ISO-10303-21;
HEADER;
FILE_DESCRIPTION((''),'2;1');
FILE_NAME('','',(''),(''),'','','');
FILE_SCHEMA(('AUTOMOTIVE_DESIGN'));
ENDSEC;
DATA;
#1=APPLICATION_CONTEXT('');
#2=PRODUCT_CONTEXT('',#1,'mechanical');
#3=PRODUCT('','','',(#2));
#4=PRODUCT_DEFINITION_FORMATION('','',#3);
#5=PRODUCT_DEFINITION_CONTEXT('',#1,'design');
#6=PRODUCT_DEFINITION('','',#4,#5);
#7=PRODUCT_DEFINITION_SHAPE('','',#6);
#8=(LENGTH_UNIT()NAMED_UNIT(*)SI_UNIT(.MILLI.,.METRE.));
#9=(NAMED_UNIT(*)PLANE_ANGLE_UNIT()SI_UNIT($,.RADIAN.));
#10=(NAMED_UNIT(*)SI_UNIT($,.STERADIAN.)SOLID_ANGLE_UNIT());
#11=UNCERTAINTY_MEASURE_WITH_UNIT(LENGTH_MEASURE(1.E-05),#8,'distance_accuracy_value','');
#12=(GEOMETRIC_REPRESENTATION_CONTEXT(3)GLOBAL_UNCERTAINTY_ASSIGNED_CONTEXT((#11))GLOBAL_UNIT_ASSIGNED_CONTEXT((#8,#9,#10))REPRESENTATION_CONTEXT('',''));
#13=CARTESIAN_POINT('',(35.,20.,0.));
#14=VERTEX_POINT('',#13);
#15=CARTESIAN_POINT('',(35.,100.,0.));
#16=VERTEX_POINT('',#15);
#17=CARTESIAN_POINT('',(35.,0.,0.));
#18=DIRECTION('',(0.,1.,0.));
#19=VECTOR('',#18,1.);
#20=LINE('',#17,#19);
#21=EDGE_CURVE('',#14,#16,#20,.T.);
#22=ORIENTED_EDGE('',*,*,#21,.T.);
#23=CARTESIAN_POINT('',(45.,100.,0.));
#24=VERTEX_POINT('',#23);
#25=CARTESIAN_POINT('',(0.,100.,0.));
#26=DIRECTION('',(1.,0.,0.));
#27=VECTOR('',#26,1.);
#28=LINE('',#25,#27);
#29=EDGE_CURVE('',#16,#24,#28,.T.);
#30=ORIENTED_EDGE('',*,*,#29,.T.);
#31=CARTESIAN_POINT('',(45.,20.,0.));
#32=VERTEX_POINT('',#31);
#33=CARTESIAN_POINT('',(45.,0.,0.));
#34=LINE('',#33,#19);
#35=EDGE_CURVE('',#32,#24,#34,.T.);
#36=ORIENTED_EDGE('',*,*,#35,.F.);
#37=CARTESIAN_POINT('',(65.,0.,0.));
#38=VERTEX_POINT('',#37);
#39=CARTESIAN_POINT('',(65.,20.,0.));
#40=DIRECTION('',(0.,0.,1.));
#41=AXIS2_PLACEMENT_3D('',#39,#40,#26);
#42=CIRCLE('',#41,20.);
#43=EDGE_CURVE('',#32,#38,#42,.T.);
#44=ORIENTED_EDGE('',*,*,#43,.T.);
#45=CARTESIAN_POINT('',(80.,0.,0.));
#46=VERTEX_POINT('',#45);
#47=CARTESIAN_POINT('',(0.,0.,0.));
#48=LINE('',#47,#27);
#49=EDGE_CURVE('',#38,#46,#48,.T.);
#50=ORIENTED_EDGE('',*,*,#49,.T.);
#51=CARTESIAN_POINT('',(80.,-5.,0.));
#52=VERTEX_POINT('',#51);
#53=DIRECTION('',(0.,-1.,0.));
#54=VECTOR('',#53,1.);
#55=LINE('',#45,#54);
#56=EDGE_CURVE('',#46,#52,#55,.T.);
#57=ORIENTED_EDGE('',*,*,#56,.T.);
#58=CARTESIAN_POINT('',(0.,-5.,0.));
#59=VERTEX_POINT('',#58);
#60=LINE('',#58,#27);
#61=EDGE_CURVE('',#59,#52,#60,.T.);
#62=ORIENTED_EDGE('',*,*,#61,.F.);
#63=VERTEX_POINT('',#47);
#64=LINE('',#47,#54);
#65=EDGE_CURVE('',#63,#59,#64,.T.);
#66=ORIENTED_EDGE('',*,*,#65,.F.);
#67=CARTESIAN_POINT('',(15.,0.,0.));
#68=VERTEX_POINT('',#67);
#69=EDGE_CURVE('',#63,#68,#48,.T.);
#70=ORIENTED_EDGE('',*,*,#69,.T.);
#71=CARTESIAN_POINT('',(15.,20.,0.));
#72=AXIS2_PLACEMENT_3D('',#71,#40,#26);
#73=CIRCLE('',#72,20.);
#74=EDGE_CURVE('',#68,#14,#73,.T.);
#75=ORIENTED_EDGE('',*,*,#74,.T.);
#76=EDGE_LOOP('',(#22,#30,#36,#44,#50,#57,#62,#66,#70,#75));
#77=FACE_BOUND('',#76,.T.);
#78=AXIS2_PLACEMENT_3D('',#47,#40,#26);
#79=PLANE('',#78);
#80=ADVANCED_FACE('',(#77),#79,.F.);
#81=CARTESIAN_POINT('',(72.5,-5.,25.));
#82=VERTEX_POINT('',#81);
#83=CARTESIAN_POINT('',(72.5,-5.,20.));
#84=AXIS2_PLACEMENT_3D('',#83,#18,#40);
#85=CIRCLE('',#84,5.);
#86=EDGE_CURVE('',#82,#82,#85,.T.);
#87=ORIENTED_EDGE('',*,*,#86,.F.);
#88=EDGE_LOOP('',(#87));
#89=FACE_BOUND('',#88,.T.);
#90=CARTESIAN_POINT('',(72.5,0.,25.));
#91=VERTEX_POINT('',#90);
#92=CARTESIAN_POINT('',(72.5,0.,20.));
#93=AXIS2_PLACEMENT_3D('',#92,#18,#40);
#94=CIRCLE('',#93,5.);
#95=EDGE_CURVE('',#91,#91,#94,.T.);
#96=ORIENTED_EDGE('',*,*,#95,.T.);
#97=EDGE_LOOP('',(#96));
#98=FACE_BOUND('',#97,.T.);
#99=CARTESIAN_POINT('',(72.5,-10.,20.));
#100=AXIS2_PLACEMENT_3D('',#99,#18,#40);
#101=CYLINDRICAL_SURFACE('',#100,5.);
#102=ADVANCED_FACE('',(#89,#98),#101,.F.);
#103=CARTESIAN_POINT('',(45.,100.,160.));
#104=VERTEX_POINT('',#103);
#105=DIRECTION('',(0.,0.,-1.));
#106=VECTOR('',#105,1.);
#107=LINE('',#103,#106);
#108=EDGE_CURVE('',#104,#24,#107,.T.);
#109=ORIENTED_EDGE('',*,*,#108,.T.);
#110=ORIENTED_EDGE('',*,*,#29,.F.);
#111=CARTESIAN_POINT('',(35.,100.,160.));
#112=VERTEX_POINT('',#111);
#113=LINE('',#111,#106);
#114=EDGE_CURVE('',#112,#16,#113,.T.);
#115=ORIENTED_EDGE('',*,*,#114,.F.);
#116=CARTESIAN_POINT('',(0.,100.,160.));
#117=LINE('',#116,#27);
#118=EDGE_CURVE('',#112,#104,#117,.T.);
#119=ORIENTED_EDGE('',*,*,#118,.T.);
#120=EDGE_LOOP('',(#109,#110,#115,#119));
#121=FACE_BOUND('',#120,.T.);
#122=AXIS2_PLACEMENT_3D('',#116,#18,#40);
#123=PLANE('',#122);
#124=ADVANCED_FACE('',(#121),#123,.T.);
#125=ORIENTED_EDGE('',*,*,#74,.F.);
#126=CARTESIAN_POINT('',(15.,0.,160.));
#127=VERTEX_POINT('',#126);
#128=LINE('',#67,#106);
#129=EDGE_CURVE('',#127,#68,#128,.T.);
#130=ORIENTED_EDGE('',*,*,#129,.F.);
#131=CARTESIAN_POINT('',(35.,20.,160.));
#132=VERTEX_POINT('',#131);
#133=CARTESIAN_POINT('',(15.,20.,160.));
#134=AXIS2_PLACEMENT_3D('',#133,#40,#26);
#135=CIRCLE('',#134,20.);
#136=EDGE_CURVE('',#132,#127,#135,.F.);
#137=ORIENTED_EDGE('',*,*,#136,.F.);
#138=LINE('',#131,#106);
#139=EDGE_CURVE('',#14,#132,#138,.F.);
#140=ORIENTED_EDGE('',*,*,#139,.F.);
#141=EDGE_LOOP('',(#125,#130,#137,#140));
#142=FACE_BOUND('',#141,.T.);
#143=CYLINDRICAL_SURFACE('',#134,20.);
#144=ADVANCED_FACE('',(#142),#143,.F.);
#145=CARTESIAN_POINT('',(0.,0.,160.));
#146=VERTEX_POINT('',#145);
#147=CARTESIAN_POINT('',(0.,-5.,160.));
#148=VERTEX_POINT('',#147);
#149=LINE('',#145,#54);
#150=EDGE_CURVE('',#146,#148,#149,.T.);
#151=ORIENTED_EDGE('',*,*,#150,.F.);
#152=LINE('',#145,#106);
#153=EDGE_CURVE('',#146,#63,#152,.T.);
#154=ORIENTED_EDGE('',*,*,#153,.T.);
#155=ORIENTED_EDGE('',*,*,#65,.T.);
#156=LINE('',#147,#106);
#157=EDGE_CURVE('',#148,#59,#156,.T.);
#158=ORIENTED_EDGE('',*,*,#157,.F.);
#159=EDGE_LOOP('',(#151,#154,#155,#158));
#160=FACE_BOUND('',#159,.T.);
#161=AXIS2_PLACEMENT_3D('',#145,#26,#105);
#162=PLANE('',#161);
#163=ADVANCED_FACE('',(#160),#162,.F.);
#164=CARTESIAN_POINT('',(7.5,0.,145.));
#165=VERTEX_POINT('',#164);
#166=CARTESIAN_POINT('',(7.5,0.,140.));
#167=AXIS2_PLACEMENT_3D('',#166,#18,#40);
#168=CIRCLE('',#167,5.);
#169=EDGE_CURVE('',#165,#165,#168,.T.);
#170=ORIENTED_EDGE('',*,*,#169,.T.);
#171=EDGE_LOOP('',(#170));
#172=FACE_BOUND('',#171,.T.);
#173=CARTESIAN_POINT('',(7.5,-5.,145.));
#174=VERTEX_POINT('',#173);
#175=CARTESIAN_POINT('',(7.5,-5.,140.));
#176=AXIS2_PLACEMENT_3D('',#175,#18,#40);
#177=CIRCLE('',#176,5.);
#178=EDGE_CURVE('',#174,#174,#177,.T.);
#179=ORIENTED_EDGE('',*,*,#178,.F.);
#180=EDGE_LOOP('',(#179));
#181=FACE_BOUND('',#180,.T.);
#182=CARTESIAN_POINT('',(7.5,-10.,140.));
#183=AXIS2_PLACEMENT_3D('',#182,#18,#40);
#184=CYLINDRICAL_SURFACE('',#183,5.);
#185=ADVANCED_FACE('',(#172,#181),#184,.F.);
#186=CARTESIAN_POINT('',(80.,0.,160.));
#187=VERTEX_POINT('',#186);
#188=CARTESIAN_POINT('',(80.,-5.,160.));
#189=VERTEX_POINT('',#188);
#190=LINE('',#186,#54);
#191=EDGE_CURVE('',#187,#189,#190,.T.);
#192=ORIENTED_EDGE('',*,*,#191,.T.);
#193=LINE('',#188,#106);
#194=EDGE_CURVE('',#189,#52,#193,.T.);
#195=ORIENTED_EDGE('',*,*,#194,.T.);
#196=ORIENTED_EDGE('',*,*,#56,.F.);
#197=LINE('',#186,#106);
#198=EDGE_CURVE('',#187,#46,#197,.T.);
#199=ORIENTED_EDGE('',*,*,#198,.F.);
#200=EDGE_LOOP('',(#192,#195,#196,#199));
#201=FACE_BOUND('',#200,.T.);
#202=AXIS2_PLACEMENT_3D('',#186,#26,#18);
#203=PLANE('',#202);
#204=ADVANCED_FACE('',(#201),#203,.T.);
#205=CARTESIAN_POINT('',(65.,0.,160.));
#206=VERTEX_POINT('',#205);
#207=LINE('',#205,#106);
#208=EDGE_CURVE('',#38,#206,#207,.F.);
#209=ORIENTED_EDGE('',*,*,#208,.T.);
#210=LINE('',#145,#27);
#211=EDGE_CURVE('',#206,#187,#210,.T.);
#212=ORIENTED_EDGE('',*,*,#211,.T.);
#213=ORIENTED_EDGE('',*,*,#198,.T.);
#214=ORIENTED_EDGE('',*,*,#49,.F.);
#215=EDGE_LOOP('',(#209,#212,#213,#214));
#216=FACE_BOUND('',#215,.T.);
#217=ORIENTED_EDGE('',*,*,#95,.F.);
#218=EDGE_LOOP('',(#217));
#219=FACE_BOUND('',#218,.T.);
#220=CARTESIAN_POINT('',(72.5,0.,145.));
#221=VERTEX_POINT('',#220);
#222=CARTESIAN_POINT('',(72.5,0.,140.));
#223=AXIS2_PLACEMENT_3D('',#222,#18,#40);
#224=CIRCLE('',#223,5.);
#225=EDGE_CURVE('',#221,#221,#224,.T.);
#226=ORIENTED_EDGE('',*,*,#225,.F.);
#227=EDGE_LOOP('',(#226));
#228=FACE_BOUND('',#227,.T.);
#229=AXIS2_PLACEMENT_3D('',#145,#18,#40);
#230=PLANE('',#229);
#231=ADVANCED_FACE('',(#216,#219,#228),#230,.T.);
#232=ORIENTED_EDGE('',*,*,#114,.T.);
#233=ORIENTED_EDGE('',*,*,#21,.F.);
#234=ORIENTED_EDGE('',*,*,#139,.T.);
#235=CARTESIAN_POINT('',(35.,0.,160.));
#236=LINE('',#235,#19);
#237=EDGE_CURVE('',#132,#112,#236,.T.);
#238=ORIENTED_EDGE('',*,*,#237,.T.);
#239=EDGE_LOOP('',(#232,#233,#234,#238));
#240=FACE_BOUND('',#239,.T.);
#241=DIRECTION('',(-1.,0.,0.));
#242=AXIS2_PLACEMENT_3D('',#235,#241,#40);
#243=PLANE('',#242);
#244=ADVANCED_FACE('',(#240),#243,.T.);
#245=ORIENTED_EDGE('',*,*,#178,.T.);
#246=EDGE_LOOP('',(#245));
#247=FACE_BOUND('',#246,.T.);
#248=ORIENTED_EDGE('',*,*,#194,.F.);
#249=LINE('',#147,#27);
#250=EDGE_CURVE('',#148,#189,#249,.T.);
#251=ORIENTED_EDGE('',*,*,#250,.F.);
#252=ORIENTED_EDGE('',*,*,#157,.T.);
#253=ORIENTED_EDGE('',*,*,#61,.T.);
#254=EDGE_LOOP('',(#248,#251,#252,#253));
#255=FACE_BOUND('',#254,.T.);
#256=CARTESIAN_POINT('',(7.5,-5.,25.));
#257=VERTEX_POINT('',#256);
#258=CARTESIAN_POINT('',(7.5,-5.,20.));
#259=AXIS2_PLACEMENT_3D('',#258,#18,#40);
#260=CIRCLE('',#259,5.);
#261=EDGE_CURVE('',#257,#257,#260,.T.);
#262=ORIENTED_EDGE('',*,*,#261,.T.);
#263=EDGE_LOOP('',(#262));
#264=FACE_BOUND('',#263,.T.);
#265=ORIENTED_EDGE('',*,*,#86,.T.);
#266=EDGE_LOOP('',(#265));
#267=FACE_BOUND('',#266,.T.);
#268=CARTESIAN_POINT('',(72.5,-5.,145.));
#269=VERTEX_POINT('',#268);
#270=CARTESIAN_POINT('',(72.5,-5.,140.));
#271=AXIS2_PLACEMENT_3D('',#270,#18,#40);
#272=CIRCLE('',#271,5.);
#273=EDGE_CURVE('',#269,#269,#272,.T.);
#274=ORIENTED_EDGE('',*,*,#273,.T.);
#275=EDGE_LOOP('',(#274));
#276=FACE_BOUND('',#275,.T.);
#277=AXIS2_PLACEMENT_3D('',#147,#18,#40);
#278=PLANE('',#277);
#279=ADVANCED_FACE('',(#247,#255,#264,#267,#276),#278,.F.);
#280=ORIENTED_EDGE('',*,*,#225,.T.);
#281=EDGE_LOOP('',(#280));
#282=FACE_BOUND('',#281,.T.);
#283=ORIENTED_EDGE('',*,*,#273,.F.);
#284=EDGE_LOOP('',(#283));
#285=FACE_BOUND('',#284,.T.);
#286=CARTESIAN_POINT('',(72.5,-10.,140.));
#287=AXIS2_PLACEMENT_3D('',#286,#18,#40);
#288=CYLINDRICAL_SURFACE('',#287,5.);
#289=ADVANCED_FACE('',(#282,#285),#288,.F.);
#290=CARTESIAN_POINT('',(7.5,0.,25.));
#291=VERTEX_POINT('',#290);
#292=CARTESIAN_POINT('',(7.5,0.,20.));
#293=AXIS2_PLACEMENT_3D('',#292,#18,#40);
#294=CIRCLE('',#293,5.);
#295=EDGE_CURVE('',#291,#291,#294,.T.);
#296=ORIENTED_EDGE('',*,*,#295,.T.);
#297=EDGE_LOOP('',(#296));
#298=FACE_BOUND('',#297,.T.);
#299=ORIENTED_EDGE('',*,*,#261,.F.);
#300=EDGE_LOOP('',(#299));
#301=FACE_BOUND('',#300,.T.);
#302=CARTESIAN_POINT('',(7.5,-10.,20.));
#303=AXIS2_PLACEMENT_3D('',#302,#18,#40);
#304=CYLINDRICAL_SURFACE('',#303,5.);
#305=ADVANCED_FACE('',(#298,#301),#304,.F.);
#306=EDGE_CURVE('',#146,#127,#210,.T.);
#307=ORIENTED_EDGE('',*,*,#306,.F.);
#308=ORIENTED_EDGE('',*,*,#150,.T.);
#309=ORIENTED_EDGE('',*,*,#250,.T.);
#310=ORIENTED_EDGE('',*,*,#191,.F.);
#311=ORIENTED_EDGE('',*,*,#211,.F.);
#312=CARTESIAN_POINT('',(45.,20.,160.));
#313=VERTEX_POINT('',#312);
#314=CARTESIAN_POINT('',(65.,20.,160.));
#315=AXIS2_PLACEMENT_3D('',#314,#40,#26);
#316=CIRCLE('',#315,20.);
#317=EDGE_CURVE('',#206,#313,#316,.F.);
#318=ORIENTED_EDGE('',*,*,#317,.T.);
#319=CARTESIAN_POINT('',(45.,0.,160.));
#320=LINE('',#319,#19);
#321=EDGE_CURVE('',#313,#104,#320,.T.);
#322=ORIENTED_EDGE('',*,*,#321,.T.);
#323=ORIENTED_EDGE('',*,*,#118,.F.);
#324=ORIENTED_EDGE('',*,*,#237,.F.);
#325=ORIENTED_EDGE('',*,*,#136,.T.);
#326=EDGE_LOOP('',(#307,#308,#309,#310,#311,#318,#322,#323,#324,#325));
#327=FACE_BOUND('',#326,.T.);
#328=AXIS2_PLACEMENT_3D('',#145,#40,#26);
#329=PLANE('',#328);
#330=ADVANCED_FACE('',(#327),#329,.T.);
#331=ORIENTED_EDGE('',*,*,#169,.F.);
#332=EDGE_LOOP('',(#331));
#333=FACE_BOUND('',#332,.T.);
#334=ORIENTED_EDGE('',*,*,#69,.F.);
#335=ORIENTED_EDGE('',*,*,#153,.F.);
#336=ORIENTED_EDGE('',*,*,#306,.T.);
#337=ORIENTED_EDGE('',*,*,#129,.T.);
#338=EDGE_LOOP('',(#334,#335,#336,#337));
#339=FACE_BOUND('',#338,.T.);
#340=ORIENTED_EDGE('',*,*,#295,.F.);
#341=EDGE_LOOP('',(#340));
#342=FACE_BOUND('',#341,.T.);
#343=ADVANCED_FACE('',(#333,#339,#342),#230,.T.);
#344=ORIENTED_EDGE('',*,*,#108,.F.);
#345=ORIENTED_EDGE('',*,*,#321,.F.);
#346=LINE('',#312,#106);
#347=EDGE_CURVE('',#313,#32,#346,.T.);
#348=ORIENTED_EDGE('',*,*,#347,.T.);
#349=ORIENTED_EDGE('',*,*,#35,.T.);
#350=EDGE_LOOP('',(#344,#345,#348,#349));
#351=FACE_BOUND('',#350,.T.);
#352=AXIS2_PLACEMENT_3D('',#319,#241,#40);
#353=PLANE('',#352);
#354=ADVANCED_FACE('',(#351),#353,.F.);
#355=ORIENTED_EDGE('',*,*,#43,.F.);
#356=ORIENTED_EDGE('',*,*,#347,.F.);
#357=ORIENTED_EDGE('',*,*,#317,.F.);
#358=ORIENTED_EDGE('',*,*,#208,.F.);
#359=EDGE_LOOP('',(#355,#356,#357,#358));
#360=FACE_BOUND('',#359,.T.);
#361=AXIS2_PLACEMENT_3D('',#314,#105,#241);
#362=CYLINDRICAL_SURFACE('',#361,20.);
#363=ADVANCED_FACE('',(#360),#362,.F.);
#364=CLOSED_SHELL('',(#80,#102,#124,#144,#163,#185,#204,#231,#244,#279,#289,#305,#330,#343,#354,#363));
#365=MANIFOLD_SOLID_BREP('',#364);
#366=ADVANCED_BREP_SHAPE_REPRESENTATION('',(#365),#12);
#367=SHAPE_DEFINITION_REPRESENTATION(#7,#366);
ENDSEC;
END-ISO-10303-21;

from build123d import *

# Parameters (mm, degrees)
SKETCH2_W           = 10
SKETCH2_H           = 100
SKETCH2_W_2         = 80
SKETCH2_H_2         = 5
BOSS_EXTRUDE2_DEPTH = 160
FILLET1_R           = 20
SKETCH3_R           = 5
CUT_EXTRUDE2_DEPTH  = 10


with BuildPart() as part:
    # Sketch2 → Boss-Extrude2 (new body)
    with BuildSketch(Plane.XY):
        with Locations((40, 50)):
            Rectangle(SKETCH2_W, SKETCH2_H)
        with Locations((40, -2.5)):
            Rectangle(SKETCH2_W_2, SKETCH2_H_2)
    extrude(amount=BOSS_EXTRUDE2_DEPTH)

    # Fillet1
    fillet1_edges = [part.edges().sort_by_distance(p)[0] for p in [
        (45, 0, 80),
        (35, 0, 80),
    ]]
    fillet(fillet1_edges, radius=FILLET1_R)

    # Sketch3 → Cut-Extrude2 (cut)
    with BuildSketch(Plane(origin=(0, 0, 0), x_dir=(1, 0, 0), z_dir=(0, 1, 0))):
        with Locations((72.5, -20)):
            Circle(SKETCH3_R)
        with Locations((72.5, -140)):
            Circle(SKETCH3_R)
        with Locations((7.5, -140)):
            Circle(SKETCH3_R)
        with Locations((7.5, -20)):
            Circle(SKETCH3_R)
    extrude(amount=-CUT_EXTRUDE2_DEPTH, mode=Mode.SUBTRACT)


solid = part.part
